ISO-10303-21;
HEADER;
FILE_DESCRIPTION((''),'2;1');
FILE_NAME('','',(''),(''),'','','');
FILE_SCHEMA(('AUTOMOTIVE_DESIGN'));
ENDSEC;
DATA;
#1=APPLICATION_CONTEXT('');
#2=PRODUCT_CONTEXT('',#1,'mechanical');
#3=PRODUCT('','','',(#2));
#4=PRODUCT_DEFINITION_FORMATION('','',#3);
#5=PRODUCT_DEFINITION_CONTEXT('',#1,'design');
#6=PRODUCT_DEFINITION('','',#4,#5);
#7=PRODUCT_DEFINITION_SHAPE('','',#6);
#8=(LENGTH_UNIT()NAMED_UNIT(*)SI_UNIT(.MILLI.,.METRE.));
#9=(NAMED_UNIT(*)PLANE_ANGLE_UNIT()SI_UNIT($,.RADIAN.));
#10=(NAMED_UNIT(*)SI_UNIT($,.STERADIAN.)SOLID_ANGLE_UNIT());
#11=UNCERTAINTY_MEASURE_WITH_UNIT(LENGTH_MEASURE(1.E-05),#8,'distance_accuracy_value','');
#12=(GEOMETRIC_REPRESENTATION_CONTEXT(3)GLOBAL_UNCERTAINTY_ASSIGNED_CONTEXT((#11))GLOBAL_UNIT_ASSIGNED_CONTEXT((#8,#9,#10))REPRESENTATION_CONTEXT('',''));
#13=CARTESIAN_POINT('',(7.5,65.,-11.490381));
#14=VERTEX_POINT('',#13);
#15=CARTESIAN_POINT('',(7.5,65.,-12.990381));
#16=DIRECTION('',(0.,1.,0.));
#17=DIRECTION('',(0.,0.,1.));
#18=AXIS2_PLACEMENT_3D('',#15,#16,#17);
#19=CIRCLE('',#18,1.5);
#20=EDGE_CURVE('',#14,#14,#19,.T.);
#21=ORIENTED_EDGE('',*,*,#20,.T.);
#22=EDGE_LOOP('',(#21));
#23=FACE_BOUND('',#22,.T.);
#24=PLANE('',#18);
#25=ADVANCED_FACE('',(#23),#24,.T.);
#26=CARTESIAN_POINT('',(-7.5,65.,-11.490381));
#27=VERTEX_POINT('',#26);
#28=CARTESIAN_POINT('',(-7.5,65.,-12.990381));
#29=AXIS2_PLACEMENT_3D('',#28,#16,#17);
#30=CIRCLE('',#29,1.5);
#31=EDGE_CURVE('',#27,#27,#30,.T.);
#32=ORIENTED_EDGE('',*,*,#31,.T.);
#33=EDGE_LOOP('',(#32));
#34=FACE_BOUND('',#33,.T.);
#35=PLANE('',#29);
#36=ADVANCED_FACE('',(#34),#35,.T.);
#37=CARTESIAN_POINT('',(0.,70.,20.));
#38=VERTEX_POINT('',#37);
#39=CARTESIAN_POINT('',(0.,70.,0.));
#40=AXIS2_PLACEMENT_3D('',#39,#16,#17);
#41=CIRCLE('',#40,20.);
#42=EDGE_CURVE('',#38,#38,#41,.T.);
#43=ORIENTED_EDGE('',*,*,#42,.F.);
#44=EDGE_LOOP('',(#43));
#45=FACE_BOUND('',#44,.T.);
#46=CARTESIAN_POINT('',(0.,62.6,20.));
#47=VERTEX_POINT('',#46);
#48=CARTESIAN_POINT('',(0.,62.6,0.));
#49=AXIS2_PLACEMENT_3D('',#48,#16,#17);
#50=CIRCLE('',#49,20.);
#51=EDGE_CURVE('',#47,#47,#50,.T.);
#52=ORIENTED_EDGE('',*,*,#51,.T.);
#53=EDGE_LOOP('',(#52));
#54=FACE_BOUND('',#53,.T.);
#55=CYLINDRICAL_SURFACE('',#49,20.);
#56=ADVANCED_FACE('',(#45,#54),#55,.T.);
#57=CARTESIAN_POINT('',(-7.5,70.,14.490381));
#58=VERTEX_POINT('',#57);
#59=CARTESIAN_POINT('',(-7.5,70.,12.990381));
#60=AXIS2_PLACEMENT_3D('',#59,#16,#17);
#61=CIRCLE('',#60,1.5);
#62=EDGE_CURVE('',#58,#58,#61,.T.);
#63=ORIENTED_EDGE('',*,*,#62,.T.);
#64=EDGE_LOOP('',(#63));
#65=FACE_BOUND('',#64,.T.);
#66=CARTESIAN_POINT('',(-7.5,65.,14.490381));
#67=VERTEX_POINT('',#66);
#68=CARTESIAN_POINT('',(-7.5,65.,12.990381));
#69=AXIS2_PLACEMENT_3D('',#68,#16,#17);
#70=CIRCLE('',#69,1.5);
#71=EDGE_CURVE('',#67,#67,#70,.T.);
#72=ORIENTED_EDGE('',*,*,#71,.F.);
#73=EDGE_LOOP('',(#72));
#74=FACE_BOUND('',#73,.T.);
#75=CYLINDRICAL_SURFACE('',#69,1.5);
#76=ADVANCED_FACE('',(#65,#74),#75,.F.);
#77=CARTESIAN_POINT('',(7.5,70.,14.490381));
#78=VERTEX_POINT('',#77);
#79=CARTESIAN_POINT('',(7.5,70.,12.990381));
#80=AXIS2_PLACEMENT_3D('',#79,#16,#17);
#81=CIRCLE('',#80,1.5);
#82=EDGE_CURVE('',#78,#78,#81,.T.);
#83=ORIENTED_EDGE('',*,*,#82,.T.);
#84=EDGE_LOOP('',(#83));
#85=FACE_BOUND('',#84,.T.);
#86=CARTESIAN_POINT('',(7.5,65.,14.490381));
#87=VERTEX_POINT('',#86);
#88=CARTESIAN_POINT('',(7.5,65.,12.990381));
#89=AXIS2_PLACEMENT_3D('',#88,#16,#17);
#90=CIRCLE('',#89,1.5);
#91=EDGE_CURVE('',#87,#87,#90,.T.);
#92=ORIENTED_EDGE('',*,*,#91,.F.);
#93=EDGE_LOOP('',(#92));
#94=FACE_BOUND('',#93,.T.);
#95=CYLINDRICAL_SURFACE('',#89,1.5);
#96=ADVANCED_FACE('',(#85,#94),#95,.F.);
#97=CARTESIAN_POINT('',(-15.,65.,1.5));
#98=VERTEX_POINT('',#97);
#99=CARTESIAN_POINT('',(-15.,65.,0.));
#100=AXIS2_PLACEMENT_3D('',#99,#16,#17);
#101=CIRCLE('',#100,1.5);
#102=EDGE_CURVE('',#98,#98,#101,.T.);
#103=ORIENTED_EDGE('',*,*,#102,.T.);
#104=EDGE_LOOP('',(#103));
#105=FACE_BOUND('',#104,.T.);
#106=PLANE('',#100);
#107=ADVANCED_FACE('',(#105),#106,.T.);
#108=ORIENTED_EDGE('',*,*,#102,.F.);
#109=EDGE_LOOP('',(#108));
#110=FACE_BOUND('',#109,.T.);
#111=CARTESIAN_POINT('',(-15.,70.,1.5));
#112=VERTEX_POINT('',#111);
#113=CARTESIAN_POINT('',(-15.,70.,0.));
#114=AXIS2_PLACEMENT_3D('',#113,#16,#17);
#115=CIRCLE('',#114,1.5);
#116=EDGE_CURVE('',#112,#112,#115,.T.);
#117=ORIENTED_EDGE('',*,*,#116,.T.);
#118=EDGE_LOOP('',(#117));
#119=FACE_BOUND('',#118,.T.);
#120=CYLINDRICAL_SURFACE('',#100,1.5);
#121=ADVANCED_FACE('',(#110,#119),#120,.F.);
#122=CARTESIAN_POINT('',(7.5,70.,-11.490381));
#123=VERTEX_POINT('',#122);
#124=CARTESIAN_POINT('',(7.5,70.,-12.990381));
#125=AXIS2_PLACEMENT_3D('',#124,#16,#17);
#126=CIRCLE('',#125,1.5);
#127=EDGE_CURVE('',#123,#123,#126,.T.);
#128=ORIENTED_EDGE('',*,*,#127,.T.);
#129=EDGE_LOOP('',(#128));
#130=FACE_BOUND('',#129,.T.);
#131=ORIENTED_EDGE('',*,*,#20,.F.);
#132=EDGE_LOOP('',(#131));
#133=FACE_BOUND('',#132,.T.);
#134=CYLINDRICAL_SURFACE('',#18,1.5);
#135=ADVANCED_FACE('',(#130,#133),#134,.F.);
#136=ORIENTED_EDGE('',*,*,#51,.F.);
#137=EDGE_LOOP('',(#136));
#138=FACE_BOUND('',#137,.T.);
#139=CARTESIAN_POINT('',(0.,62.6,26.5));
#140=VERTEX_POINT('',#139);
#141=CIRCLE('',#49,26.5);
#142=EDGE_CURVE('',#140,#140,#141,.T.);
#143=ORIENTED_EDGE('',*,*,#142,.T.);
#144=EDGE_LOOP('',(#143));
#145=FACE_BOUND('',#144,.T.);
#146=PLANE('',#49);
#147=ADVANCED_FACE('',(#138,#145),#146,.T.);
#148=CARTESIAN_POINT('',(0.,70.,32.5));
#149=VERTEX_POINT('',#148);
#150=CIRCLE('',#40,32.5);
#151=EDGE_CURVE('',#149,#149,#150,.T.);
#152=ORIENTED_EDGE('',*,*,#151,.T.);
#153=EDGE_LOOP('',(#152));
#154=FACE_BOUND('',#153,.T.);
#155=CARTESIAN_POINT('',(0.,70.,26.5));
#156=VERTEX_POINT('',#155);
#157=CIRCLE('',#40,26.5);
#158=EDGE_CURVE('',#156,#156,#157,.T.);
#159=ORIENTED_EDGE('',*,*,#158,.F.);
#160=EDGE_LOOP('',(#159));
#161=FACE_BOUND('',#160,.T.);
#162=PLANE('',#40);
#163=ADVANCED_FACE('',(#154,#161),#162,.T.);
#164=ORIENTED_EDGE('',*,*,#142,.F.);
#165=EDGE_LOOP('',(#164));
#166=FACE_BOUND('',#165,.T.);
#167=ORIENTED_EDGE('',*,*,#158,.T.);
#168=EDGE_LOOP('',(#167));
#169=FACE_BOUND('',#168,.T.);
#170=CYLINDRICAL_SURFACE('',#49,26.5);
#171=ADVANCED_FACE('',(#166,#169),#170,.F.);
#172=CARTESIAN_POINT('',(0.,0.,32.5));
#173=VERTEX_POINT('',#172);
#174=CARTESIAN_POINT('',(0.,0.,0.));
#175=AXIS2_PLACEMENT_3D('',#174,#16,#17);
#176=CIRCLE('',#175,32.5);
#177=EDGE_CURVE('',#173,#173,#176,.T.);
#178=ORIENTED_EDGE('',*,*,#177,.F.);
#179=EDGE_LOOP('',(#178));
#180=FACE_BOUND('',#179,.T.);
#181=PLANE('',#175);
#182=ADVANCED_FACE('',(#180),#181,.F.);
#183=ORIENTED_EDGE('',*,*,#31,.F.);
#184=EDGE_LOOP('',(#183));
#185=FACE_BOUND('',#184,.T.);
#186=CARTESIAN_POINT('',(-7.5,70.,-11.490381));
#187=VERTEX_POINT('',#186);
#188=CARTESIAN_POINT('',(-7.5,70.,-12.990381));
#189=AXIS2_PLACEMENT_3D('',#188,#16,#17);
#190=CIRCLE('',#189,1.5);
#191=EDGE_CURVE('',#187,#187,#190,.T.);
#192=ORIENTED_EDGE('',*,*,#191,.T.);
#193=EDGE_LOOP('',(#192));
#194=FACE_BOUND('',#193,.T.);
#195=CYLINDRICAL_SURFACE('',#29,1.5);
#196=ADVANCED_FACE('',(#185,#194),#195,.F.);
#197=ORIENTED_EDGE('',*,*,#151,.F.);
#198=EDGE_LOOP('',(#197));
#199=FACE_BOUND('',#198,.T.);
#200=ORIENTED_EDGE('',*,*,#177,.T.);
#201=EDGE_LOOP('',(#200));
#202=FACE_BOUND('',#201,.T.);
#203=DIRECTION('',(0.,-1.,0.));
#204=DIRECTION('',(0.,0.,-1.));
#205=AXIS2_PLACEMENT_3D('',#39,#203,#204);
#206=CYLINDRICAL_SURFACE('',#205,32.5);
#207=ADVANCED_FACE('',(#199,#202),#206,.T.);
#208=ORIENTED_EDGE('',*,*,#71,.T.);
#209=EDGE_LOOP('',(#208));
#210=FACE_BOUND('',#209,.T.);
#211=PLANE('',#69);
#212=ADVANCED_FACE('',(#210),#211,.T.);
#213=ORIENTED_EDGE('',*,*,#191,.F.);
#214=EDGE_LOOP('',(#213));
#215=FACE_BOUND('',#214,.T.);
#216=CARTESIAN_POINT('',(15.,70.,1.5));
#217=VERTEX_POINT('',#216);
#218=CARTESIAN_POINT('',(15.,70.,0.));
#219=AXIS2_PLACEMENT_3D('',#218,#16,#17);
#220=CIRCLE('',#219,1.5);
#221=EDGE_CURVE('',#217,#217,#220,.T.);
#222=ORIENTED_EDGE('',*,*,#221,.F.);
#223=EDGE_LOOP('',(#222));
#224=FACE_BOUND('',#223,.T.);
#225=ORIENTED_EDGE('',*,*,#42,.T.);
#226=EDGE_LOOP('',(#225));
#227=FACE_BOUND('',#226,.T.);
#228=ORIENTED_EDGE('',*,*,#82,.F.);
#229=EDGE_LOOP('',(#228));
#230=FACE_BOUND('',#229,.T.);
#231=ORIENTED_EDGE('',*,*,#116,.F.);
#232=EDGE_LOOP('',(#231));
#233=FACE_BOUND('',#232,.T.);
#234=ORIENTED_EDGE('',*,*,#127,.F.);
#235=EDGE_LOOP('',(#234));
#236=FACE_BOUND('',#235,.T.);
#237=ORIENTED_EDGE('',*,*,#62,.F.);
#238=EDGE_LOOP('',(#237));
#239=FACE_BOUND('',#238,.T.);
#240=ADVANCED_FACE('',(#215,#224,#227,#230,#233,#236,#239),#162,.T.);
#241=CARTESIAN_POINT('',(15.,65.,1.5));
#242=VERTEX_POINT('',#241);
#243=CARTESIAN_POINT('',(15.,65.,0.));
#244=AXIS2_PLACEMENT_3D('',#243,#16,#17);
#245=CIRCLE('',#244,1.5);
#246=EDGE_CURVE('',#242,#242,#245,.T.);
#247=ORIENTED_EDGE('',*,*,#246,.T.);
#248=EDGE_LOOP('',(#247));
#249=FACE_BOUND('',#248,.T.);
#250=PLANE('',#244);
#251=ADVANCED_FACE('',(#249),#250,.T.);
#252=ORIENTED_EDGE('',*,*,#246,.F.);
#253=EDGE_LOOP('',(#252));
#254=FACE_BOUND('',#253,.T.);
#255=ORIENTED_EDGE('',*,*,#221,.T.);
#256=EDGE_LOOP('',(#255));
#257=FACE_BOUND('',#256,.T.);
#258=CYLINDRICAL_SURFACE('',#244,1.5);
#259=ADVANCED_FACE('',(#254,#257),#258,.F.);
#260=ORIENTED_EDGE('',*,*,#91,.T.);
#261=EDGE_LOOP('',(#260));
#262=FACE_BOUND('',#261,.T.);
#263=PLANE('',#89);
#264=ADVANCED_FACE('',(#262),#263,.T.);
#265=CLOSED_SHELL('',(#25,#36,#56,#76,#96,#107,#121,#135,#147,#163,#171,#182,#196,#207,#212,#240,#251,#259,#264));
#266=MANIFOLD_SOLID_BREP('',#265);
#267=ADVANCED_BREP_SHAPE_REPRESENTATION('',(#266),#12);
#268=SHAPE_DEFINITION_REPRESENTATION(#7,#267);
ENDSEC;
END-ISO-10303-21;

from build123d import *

# Parameters (mm, degrees)
CROQUIS1_R              = 32.5
SALIENTE_EXTRUIR1_DEPTH = 70
CROQUIS2_R              = 1.5
CORTAR_EXTRUIR1_DEPTH   = 5
CROQUIS2_3_R            = 26.5
CROQUIS2_3_R_2          = 20
CORTAR_EXTRUIR2_DEPTH   = 7.4


with BuildPart() as part:
    # Croquis1 → Saliente-Extruir1 (new body)
    with BuildSketch(Plane(origin=(0, 0, 0), x_dir=(1, 0, 0), z_dir=(0, 1, 0))):
        Circle(CROQUIS1_R)
    extrude(amount=SALIENTE_EXTRUIR1_DEPTH)

    # Croquis2 → Cortar-Extruir1 (cut)
    with BuildSketch(Plane(origin=(0, 70, 0), x_dir=(1, 0, 0), z_dir=(0, 1, 0))):
        with Locations((15, 0)):
            Circle(CROQUIS2_R)
        with Locations((7.5, -12.990381057)):
            Circle(CROQUIS2_R)
        with Locations((-7.5, -12.990381057)):
            Circle(CROQUIS2_R)
        with Locations((-15, 0)):
            Circle(CROQUIS2_R)
        with Locations((-7.5, 12.990381057)):
            Circle(CROQUIS2_R)
        with Locations((7.5, 12.990381057)):
            Circle(CROQUIS2_R)
    extrude(amount=-CORTAR_EXTRUIR1_DEPTH, mode=Mode.SUBTRACT)

    # Croquis2<3> → Cortar-Extruir2 (cut)
    with BuildSketch(Plane(origin=(0, 70, 0), x_dir=(1, 0, 0), z_dir=(0, 1, 0))):
        Circle(CROQUIS2_3_R)
        Circle(CROQUIS2_3_R_2, mode=Mode.SUBTRACT)
    extrude(amount=-CORTAR_EXTRUIR2_DEPTH, mode=Mode.SUBTRACT)


solid = part.part
